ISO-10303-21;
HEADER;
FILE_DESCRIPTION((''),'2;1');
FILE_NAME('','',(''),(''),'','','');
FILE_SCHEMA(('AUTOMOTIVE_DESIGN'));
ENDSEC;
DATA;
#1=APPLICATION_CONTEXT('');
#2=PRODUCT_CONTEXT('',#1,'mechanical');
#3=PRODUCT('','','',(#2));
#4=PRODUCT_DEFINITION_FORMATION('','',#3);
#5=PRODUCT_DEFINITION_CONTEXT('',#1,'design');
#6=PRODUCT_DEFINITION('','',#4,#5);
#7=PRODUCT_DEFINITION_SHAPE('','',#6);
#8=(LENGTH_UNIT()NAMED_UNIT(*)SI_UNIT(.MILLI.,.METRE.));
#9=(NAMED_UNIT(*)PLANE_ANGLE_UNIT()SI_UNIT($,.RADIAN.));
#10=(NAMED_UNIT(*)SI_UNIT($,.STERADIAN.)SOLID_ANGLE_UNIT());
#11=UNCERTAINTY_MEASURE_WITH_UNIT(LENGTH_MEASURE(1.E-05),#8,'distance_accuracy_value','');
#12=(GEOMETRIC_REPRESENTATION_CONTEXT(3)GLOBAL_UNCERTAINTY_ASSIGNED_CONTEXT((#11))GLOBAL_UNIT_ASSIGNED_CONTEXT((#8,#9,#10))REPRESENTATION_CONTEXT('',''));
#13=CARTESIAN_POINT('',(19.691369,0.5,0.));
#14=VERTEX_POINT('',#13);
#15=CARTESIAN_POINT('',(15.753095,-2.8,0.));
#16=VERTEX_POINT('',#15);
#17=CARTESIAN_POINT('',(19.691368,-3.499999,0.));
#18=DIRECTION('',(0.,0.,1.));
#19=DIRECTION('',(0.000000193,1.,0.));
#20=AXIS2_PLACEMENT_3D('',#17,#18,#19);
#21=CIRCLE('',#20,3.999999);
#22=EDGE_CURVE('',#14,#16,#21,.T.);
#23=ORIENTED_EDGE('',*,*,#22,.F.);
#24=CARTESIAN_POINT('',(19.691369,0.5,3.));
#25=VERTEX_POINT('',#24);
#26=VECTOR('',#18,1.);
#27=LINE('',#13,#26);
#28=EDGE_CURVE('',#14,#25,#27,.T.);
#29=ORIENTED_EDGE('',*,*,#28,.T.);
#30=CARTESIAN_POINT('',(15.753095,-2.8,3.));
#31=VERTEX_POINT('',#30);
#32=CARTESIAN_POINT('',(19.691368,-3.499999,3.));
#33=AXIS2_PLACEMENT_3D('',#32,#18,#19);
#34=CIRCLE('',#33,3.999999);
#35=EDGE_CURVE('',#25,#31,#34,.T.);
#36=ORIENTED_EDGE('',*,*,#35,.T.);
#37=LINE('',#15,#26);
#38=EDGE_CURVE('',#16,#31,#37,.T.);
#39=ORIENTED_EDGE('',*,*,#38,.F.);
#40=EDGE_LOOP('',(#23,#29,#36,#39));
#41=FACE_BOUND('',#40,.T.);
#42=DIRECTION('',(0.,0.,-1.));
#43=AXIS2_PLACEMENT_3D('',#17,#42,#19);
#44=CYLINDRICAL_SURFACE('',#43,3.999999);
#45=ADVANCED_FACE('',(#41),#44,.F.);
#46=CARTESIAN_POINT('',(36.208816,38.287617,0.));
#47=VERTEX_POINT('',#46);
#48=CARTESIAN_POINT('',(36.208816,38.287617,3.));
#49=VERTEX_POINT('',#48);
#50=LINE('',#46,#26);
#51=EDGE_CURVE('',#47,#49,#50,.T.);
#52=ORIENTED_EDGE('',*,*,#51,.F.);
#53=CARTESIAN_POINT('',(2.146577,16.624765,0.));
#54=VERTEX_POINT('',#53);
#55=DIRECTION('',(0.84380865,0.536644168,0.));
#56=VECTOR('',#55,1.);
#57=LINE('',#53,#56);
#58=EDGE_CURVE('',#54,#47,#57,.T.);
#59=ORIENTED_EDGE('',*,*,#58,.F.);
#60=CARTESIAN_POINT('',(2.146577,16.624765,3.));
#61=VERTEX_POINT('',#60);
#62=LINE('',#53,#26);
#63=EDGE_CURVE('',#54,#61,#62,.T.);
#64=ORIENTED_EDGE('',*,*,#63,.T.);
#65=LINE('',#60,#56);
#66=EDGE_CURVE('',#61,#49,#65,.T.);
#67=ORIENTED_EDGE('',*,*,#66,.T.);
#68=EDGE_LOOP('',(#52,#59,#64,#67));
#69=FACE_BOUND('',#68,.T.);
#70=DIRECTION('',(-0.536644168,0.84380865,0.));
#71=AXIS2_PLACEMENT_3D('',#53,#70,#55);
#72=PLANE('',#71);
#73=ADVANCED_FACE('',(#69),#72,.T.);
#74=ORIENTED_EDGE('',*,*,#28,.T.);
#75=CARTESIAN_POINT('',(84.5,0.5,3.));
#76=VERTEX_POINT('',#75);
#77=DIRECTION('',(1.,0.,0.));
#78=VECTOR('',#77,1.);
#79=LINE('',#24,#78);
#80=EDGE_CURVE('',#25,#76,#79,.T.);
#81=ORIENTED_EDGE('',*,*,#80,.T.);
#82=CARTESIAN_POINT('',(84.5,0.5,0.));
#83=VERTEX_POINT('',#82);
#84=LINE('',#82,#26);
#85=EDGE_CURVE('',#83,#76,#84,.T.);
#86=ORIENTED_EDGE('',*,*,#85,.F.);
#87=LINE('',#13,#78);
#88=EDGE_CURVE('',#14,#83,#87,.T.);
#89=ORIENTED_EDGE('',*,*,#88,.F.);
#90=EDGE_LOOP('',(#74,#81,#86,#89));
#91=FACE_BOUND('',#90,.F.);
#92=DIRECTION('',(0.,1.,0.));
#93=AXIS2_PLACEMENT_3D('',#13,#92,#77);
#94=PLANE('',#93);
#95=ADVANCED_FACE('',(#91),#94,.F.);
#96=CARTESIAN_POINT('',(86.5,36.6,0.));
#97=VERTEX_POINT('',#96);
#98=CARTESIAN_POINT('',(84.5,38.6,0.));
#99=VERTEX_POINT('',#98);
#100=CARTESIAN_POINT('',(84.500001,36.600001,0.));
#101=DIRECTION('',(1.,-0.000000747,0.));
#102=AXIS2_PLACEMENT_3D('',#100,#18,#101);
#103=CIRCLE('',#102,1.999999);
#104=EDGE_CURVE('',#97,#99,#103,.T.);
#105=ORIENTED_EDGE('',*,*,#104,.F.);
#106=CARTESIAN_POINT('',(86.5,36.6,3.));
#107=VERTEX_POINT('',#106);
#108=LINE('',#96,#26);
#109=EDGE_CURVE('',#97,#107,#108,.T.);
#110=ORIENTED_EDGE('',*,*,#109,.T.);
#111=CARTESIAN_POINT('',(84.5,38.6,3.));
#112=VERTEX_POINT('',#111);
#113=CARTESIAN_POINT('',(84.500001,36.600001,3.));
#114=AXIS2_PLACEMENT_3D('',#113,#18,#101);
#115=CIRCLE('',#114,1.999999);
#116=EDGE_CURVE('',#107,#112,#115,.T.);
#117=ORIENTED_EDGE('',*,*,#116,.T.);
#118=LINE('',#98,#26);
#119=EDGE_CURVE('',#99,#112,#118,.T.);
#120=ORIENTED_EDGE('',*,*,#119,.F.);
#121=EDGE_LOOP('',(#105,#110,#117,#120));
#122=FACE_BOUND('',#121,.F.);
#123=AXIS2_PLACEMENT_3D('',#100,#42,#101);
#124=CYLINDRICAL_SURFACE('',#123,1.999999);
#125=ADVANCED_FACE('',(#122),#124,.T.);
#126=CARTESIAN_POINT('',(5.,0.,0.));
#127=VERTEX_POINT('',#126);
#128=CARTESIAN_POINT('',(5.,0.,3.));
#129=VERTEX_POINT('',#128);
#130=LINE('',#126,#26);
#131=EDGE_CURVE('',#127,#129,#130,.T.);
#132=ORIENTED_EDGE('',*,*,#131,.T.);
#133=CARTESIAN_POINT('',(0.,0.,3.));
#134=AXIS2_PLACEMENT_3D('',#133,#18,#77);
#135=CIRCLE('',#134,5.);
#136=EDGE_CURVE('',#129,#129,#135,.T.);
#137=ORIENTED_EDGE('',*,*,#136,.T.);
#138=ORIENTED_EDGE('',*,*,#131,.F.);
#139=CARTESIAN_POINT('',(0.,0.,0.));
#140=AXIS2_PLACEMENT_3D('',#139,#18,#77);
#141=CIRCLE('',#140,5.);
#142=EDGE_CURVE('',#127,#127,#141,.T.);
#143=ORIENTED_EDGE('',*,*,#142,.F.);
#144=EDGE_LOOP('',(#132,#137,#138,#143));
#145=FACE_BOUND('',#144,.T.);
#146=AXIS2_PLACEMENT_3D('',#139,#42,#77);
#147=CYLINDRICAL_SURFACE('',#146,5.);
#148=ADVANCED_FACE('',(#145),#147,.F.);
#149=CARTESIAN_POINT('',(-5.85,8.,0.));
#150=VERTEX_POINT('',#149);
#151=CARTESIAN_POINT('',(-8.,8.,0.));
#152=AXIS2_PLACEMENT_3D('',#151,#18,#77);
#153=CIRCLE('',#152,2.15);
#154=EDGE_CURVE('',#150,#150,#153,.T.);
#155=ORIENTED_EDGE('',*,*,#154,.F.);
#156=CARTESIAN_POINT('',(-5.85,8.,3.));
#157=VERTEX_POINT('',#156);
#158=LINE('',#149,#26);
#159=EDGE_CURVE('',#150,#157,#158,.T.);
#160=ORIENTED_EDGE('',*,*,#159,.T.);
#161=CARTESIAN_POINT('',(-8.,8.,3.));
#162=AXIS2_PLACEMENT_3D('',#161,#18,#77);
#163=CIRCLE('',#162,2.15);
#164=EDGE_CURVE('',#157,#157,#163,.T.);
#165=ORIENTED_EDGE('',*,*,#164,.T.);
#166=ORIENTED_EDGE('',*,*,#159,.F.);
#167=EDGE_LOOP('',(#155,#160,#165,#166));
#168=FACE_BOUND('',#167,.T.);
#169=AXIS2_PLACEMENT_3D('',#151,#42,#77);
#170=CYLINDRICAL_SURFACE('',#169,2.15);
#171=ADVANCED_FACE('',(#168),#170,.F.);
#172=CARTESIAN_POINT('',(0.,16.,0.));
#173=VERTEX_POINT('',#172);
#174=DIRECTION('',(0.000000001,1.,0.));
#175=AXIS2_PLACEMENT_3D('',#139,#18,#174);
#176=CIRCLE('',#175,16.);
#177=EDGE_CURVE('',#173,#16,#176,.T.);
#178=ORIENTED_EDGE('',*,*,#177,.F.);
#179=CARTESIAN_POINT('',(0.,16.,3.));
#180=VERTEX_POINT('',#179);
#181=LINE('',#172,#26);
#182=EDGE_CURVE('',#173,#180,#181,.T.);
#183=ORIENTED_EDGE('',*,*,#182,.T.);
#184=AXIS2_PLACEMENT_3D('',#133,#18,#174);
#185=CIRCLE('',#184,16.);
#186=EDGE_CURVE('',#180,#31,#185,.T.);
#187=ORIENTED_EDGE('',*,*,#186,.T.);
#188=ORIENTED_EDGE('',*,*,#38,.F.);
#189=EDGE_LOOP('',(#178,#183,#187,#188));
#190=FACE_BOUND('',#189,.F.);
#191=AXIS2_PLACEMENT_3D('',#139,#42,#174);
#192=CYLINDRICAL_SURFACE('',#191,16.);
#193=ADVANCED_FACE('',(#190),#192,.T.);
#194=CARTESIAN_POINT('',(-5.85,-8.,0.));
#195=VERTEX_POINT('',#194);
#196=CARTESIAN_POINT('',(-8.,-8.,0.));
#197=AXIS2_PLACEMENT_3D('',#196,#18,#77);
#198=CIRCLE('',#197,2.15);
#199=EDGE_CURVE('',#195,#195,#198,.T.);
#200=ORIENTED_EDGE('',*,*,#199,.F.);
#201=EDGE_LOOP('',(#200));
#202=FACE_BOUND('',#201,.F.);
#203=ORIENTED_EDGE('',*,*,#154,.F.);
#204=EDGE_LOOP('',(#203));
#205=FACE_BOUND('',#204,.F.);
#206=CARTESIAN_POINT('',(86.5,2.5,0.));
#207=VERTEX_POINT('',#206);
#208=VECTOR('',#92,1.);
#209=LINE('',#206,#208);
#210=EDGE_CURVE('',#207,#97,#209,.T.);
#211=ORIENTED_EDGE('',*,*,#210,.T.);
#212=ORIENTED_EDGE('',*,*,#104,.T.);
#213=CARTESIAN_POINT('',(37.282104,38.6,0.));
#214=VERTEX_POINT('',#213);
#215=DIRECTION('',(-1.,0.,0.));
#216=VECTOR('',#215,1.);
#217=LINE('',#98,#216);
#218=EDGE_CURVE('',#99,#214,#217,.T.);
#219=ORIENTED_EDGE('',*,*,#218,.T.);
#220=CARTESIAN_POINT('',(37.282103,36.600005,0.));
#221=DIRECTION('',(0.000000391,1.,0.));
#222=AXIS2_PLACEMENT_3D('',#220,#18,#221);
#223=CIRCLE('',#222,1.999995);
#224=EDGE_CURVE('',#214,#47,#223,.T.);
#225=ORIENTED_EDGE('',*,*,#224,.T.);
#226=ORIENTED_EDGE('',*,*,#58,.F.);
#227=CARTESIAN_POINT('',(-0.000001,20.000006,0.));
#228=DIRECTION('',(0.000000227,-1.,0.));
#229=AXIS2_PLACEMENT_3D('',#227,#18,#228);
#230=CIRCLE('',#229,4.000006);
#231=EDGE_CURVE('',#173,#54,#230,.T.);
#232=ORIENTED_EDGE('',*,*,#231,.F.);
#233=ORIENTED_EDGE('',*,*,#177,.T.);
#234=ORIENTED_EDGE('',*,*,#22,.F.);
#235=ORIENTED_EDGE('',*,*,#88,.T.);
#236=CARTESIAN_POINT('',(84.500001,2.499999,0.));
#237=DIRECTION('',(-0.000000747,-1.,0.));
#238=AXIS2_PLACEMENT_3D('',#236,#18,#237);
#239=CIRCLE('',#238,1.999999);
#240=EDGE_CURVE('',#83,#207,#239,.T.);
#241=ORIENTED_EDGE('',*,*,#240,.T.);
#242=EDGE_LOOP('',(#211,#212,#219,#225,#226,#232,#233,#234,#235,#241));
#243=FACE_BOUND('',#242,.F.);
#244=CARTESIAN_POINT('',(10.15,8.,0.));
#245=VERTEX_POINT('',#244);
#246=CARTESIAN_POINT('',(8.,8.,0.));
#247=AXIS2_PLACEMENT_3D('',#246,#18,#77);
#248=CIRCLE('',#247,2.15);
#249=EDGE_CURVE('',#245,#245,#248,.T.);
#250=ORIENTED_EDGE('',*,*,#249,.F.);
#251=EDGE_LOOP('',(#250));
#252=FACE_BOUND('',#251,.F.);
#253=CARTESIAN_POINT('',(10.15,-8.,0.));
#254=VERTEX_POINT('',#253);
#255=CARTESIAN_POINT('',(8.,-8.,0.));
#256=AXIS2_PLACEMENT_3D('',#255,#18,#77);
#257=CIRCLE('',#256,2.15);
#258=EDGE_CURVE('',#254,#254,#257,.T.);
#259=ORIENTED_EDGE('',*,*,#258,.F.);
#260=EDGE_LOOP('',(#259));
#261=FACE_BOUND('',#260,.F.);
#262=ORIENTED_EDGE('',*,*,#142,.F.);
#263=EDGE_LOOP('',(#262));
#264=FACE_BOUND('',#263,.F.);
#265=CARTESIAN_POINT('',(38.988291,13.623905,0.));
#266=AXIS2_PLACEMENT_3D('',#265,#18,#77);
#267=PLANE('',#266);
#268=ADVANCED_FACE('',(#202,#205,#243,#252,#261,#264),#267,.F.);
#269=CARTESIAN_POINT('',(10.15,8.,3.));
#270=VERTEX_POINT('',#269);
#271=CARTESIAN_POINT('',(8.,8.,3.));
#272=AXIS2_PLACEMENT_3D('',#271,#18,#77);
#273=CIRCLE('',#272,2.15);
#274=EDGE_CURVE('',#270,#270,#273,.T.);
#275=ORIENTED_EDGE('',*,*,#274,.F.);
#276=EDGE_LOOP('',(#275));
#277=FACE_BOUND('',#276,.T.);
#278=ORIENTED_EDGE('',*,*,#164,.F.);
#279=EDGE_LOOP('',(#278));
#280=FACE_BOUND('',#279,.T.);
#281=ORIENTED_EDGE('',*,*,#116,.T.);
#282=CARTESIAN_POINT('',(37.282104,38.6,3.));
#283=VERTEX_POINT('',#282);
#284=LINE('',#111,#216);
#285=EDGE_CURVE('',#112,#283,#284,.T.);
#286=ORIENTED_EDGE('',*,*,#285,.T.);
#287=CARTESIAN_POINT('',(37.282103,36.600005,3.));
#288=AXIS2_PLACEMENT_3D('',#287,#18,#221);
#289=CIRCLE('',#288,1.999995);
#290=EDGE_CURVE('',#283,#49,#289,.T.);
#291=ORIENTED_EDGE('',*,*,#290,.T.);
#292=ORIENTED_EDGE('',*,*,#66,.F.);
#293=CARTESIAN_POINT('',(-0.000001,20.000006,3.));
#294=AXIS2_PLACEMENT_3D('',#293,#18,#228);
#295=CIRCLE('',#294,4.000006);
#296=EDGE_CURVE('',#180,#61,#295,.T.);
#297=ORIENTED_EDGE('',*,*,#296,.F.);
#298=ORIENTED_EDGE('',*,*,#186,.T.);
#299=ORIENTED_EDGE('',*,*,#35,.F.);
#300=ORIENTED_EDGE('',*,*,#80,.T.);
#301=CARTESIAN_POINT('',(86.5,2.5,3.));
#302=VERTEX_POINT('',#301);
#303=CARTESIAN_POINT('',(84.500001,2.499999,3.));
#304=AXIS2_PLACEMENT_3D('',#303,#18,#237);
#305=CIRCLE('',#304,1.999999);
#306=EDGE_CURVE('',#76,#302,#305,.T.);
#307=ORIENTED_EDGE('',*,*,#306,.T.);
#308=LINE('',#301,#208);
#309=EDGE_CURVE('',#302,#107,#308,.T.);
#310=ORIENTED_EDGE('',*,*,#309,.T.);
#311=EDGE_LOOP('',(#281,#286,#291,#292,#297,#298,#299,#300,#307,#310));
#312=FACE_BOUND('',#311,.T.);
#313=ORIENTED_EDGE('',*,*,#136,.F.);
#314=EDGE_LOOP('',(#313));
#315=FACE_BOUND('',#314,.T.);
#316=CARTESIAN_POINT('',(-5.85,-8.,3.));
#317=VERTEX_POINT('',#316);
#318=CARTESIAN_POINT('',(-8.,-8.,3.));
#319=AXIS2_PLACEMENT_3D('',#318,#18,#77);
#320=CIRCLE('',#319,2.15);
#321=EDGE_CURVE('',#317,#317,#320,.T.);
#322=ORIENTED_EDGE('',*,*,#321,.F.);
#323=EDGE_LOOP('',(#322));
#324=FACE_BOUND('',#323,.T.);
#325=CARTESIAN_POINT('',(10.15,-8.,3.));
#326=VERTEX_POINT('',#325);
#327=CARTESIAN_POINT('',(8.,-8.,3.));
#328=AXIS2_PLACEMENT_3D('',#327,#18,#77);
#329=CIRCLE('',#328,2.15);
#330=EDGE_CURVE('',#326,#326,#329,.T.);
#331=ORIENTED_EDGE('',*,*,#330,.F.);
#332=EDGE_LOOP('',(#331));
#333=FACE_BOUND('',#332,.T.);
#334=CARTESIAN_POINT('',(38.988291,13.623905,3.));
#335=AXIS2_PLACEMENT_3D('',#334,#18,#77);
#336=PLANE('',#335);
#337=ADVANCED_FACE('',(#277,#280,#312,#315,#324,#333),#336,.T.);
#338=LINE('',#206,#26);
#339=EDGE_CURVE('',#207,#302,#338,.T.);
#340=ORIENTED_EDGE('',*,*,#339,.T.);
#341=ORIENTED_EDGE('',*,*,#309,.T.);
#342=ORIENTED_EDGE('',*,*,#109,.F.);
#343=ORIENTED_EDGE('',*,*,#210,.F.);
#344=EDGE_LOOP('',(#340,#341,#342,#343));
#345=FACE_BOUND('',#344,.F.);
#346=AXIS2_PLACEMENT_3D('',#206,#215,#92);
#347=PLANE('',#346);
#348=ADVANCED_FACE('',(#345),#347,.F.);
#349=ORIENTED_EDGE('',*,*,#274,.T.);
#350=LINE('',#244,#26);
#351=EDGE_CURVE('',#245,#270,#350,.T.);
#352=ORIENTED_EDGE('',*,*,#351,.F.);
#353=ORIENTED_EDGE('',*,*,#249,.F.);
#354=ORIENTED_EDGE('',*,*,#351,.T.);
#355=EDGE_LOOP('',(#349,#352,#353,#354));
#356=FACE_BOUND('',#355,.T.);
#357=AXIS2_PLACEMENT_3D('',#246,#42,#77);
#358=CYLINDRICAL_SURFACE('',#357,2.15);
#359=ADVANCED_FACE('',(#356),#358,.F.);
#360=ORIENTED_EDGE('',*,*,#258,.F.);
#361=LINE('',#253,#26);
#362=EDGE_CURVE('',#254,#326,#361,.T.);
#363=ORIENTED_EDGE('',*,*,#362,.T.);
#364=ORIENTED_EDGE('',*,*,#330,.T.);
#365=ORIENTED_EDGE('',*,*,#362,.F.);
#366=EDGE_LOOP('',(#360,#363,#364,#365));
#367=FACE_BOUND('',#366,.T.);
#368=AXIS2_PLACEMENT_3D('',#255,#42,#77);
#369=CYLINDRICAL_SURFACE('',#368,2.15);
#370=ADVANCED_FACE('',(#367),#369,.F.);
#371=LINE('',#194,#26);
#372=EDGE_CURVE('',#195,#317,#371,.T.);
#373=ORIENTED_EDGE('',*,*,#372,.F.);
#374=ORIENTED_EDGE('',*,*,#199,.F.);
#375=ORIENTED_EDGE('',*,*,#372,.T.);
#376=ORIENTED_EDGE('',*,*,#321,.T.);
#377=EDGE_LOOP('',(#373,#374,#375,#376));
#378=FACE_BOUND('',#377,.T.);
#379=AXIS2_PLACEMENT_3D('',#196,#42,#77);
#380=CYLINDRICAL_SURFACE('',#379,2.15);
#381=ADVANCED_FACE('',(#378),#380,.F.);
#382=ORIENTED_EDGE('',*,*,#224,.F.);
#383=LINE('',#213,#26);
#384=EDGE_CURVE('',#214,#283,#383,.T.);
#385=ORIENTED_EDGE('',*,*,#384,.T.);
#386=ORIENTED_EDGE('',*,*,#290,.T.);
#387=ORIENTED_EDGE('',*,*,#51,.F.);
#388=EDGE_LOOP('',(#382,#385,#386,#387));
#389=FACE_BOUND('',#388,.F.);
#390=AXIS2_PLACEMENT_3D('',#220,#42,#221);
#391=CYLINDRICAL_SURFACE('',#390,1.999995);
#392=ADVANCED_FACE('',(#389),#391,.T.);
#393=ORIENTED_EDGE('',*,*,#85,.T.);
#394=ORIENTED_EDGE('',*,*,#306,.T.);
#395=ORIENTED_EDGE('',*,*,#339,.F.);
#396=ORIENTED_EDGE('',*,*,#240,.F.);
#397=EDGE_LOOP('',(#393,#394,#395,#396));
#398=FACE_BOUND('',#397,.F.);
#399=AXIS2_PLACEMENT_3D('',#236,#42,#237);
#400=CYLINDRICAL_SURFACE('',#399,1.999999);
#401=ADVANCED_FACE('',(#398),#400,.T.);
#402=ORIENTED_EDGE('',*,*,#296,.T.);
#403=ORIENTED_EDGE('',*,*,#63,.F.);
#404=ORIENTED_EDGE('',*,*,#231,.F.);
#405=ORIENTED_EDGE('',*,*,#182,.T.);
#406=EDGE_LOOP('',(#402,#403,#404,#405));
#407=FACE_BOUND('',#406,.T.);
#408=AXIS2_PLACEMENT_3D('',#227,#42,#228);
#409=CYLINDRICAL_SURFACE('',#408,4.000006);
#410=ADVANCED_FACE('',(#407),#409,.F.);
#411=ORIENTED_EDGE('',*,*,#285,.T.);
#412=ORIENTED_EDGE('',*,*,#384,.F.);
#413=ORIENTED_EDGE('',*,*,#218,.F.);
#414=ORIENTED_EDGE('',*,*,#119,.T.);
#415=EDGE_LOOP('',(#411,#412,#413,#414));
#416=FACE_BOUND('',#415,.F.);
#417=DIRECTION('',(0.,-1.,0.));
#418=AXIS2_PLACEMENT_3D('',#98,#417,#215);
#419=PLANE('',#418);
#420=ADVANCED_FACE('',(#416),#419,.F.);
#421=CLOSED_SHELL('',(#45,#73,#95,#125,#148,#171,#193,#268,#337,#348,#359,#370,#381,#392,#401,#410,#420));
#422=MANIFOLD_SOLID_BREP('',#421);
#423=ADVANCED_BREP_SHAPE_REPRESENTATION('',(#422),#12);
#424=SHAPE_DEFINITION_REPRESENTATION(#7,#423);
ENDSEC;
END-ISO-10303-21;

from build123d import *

# Parameters (mm, degrees)
SKETCH_R   = 2.15
SKETCH_R_2 = 5
PAD_DEPTH  = 3


with BuildPart() as part:
    # Sketch → Pad (new body)
    with BuildSketch(Plane.XY):
        with BuildLine():
            Line((36.7, 0.5), (84.5, 0.5))
            ThreePointArc((84.5, 0.5), (85.914214, 1.085786), (86.5, 2.5))
            Line((86.5, 2.5), (86.5, 36.6))
            ThreePointArc((86.5, 36.6), (85.914214, 38.014214), (84.5, 38.6))
            Line((84.5, 38.6), (37.282104, 38.6))
            ThreePointArc((37.282104, 38.6), (36.723192, 38.520317), (36.208816, 38.287617))
            Line((2.146577, 16.624765), (36.208816, 38.287617))
            ThreePointArc((0, 16), (1.117824, 16.159366), (2.146577, 16.624765))
            ThreePointArc((0, 16), (-12.263768, -10.276186), (15.753095, -2.8))
            ThreePointArc((19.691369, 0.5), (17.122322, -0.434058), (15.753095, -2.8))
            Line((36.7, 0.5), (19.691369, 0.5))
        make_face()
        with Locations((-8, 8)):
            Circle(SKETCH_R, mode=Mode.SUBTRACT)
        with Locations((8, 8)):
            Circle(SKETCH_R, mode=Mode.SUBTRACT)
        with Locations((-8, -8)):
            Circle(SKETCH_R, mode=Mode.SUBTRACT)
        with Locations((8, -8)):
            Circle(SKETCH_R, mode=Mode.SUBTRACT)
        Circle(SKETCH_R_2, mode=Mode.SUBTRACT)
    extrude(amount=PAD_DEPTH)


solid = part.part
